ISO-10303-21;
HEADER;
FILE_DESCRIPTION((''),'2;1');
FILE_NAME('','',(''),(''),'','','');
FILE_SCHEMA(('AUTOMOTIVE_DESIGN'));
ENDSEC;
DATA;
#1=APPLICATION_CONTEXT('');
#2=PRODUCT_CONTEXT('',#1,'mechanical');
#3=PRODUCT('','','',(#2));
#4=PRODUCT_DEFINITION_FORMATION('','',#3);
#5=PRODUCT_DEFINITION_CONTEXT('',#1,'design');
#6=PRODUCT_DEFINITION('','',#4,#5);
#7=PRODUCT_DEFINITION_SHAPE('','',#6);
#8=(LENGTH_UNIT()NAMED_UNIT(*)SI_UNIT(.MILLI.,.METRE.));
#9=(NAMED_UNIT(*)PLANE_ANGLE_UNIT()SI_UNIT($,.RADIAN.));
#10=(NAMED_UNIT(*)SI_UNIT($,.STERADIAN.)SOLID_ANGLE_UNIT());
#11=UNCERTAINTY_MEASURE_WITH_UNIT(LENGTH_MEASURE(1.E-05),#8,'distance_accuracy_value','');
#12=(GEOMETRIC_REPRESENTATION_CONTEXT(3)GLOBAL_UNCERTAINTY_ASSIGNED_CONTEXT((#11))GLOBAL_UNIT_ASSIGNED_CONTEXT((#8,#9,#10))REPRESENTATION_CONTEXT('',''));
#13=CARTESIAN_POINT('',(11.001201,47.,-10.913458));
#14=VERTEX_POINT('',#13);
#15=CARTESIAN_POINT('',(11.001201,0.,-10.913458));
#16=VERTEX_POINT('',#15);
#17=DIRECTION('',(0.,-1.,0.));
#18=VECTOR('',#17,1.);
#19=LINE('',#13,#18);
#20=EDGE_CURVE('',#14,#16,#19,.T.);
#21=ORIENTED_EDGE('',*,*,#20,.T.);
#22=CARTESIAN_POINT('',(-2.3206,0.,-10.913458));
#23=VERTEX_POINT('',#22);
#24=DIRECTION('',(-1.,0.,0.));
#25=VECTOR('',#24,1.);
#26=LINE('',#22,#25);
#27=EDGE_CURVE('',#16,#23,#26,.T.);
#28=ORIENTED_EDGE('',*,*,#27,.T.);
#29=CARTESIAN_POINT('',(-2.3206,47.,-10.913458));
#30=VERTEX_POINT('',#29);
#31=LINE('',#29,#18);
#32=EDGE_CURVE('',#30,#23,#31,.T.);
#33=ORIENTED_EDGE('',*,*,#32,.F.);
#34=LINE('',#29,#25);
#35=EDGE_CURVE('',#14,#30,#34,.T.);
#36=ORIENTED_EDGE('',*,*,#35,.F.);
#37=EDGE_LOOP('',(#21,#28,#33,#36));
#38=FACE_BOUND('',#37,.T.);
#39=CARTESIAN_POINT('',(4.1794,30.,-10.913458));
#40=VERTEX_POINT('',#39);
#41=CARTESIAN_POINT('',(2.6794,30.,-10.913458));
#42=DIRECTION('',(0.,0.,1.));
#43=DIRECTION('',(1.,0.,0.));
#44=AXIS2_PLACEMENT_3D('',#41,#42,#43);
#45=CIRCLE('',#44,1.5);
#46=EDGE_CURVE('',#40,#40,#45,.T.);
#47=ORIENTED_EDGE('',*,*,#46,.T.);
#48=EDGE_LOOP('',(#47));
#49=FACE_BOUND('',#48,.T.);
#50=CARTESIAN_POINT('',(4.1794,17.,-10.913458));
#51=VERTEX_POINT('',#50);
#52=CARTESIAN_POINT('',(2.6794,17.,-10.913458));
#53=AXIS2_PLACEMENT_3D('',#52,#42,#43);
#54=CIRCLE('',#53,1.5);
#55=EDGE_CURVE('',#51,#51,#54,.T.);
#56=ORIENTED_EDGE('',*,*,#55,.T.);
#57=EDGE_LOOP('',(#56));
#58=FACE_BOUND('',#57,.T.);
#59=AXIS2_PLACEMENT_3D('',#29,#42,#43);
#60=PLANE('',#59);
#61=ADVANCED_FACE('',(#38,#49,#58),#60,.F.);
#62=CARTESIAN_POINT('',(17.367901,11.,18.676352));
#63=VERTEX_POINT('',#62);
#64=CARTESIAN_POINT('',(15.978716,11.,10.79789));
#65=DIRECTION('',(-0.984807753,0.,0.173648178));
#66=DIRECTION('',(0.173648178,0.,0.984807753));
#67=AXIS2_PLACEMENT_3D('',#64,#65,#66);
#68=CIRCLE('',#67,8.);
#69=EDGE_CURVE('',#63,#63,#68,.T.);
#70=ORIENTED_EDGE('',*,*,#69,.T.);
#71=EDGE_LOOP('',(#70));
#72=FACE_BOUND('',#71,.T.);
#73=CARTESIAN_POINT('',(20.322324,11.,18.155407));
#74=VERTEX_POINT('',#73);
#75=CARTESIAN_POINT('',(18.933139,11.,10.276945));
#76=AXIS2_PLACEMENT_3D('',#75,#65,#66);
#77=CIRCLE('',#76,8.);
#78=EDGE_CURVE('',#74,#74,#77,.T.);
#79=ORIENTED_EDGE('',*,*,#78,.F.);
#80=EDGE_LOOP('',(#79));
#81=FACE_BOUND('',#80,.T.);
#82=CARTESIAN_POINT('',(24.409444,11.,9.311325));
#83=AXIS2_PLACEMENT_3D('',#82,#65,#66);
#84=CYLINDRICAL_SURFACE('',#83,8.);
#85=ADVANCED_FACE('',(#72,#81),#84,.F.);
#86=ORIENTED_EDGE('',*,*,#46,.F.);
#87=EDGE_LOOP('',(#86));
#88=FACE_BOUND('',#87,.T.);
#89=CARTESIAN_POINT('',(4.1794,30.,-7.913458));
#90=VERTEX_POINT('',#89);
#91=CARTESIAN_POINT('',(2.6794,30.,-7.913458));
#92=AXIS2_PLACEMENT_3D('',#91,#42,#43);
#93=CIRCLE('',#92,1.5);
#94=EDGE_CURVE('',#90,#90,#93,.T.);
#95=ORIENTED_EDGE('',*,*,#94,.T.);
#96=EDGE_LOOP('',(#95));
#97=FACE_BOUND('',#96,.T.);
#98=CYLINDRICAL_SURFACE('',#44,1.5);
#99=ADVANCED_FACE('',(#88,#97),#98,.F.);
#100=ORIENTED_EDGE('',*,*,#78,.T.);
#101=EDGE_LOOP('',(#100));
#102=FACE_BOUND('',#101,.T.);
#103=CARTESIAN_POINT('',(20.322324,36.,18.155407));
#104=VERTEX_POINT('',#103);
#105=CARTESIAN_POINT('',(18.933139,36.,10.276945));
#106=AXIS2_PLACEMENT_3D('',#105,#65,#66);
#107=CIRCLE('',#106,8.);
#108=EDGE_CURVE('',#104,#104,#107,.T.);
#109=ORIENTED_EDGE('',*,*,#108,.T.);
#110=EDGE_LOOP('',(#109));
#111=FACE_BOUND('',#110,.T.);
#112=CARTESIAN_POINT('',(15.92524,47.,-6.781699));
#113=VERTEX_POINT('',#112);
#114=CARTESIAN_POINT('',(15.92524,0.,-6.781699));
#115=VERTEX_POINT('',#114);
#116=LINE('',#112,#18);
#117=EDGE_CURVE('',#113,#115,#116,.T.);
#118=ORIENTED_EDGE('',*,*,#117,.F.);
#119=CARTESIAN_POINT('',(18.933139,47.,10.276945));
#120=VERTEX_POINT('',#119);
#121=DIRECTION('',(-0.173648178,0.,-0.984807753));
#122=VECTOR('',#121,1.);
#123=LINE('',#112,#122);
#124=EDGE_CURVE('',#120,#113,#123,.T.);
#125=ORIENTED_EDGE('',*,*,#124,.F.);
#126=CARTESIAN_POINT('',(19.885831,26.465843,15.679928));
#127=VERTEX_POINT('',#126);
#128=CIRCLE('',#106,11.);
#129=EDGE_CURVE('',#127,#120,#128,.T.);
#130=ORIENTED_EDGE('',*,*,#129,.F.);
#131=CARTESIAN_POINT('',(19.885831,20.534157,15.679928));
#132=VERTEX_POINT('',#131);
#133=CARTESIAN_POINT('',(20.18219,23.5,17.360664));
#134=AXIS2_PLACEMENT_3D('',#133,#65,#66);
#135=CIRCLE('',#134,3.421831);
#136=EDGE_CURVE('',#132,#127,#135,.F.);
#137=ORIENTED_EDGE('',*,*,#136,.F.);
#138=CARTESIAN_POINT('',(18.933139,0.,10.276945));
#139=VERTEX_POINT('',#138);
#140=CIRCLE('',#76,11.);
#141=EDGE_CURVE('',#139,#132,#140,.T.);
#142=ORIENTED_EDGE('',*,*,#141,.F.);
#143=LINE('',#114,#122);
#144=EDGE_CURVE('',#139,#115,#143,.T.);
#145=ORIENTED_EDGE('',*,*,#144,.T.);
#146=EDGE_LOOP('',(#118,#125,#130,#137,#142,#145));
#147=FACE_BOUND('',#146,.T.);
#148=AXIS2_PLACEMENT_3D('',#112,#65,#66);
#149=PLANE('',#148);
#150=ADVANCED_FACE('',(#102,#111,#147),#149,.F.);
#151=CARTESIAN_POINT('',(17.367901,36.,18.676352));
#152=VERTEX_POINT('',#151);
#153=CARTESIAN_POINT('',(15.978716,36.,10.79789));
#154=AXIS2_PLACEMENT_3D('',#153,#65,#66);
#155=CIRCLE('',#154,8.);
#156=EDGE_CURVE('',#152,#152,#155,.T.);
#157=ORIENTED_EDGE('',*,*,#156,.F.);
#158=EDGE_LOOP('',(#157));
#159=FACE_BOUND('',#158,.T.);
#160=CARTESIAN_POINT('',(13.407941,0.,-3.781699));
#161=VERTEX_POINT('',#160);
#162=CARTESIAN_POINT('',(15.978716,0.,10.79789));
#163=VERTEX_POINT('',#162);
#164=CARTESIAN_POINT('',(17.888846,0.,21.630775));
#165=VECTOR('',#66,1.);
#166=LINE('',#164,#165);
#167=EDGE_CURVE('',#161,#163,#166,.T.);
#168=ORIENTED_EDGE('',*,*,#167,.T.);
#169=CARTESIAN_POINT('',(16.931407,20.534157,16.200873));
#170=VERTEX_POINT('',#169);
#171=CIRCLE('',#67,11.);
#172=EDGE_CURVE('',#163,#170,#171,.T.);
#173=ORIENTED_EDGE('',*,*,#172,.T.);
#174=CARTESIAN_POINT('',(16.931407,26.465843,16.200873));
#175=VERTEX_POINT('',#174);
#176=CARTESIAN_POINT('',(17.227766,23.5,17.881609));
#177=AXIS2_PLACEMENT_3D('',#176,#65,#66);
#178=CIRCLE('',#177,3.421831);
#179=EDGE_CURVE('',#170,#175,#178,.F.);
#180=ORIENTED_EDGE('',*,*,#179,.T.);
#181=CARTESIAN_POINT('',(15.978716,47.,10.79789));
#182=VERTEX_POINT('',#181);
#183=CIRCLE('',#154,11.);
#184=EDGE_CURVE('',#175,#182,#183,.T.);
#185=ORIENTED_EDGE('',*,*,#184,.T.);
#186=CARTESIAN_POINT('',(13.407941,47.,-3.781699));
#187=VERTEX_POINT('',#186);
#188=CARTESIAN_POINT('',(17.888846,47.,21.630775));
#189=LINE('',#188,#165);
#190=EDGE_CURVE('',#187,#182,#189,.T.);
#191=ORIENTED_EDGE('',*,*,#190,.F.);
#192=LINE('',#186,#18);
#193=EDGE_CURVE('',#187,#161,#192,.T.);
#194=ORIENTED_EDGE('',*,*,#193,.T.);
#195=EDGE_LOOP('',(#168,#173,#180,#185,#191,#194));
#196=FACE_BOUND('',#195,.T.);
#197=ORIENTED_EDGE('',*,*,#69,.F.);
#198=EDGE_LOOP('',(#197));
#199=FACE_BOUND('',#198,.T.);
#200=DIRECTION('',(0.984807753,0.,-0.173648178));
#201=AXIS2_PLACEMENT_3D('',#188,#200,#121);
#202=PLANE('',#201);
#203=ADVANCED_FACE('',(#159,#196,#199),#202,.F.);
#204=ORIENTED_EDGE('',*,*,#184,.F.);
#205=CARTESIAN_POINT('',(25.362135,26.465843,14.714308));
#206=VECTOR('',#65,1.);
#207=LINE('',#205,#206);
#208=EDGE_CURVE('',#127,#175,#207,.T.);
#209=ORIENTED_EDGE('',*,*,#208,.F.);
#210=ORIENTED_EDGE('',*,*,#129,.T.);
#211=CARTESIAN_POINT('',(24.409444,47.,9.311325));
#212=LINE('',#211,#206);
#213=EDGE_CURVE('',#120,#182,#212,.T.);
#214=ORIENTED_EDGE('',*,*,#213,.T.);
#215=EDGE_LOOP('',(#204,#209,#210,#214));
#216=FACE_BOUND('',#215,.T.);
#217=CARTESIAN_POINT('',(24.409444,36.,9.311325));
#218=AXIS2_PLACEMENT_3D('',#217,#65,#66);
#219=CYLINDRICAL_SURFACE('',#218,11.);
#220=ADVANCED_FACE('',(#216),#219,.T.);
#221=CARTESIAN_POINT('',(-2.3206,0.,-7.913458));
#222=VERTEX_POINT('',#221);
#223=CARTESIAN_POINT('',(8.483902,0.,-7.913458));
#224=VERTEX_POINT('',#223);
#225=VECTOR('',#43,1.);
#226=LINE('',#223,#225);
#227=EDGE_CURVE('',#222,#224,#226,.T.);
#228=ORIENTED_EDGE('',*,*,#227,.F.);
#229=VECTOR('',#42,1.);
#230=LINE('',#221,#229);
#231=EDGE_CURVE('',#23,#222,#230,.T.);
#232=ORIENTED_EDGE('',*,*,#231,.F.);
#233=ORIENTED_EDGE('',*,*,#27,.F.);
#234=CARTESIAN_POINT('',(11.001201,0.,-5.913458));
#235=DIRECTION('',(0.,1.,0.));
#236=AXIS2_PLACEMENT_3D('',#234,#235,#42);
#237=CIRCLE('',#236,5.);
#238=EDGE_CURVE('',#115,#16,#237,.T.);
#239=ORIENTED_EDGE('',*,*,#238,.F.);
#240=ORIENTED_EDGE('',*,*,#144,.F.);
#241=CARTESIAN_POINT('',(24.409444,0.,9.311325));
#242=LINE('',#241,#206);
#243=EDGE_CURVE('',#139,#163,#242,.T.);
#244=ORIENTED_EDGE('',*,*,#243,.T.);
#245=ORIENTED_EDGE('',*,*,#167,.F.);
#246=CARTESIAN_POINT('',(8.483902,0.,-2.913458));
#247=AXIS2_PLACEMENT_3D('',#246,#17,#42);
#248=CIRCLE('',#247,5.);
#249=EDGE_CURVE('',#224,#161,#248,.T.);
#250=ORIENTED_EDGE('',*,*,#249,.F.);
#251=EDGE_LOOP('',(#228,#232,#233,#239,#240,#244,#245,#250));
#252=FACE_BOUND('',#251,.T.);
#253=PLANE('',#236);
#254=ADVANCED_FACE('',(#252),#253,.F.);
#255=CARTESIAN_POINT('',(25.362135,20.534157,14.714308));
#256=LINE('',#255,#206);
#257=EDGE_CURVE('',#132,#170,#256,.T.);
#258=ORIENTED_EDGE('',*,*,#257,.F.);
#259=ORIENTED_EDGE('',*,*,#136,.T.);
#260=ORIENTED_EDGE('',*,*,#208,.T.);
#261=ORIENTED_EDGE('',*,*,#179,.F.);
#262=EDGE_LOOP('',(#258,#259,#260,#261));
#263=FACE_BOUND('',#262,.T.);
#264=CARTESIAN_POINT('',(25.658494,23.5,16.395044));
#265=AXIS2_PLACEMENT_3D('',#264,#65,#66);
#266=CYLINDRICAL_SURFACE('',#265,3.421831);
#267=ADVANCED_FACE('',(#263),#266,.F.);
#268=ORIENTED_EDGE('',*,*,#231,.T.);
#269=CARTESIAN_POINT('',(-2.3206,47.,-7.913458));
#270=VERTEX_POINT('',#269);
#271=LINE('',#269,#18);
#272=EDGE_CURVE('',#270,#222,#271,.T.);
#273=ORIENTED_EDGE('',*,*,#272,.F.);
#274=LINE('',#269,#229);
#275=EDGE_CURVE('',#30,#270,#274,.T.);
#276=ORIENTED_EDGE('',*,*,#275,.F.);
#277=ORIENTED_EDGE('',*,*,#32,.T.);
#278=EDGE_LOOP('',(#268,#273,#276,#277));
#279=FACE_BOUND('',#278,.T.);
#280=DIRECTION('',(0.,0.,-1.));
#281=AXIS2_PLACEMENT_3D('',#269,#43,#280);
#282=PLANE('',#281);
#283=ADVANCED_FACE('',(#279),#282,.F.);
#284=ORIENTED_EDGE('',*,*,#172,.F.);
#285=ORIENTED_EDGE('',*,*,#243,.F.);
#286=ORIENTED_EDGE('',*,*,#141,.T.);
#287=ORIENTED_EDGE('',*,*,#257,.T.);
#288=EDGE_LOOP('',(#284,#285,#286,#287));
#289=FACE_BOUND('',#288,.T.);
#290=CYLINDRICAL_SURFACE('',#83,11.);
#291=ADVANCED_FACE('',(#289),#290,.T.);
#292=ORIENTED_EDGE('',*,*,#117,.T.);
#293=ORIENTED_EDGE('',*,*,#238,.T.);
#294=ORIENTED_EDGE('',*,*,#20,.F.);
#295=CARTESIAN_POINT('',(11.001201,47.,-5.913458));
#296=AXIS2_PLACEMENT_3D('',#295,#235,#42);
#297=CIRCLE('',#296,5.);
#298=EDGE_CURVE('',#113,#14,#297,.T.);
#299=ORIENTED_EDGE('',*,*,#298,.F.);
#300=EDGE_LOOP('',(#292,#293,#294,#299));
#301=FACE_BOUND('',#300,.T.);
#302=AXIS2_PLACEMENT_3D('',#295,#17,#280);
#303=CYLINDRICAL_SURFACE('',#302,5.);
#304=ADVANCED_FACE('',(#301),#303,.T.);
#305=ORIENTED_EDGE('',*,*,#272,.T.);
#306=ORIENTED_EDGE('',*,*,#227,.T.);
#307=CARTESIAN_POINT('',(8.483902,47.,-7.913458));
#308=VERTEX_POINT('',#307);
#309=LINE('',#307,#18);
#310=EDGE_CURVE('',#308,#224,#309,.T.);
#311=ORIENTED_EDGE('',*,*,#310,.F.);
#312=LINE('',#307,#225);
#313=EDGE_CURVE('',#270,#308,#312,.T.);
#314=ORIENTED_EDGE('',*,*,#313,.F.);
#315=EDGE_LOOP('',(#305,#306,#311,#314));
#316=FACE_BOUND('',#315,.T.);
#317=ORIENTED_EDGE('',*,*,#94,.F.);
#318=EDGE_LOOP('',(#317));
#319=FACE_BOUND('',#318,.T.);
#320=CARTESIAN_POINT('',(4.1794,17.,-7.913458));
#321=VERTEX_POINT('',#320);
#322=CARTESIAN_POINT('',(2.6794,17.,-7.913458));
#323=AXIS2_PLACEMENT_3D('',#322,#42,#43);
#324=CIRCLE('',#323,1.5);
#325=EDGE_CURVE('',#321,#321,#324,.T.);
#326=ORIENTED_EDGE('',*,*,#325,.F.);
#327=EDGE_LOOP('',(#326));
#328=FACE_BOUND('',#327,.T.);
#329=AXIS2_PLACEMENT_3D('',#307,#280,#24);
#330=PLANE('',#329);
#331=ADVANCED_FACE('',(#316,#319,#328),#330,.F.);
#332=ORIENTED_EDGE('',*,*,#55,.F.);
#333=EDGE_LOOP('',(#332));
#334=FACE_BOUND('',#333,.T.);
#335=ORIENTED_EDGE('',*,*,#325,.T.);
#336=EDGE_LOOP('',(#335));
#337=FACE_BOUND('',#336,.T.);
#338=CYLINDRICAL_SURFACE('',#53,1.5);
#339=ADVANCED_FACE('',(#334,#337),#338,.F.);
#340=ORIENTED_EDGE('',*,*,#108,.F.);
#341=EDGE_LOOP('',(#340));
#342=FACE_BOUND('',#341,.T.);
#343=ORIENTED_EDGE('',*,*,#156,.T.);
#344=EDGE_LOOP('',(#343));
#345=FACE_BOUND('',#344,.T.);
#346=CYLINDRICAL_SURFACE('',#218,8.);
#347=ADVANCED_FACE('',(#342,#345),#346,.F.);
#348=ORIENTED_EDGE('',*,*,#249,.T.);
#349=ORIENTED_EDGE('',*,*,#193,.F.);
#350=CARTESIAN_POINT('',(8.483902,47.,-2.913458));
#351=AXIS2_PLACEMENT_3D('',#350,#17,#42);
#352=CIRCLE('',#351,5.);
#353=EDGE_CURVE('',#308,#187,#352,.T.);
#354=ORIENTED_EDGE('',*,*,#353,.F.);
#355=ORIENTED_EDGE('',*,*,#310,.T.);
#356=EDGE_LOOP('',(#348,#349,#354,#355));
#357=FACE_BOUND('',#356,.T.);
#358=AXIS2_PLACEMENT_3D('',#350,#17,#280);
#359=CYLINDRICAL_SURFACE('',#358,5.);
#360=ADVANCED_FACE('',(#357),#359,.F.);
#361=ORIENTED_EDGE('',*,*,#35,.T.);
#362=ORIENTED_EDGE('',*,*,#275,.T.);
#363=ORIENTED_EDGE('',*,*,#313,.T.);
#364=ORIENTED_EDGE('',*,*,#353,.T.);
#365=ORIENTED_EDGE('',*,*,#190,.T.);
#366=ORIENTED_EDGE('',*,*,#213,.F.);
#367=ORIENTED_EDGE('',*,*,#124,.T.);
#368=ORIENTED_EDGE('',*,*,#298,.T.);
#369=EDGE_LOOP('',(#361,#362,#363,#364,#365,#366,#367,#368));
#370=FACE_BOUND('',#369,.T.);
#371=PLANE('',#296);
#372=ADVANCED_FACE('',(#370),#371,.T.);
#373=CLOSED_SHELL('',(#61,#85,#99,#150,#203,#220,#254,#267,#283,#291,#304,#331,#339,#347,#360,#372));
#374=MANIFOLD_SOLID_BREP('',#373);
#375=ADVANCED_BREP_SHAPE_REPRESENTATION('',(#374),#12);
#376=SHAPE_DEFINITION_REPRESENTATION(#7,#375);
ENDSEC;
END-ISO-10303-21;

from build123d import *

# Parameters (mm, degrees)
BOSS_EXTRUDE1_DEPTH = 47
SKETCH2_R           = 1.5
CUT_EXTRUDE1_DEPTH  = 4
SKETCH3_R           = 8
CUT_EXTRUDE2_DEPTH  = 9.560785614


with BuildPart() as part:
    # Sketch1 → Boss-Extrude1 (new body)
    with BuildSketch(Plane(origin=(0, 0, 0), x_dir=(1, 0, 0), z_dir=(0, 1, 0))):
        with BuildLine():
            Line((-2.32059976, 10.913457617), (11.001200978, 10.913457617))
            ThreePointArc((11.001200978, 10.913457617), (14.215139026, 9.743679833), (15.925239743, 6.781698506))
            Line((15.925239743, 6.781698506), (20.843268829, -21.10983044))
            Line((20.843268829, -21.10983044), (17.88884557, -21.630774973))
            Line((17.88884557, -21.630774973), (13.407940849, 3.781698506))
            ThreePointArc((13.407940849, 3.781698506), (11.697840132, 6.743679833), (8.483902084, 7.913457617))
            Line((8.483902084, 7.913457617), (-2.32059976, 7.913457617))
            Line((-2.32059976, 7.913457617), (-2.32059976, 10.913457617))
        make_face()
    extrude(amount=BOSS_EXTRUDE1_DEPTH)

    # Sketch2 → Cut-Extrude1 (cut, through all)
    with BuildSketch(Plane.XY.offset(-7.913457617)):
        with Locations((2.67940024, 30)):
            Circle(SKETCH2_R)
        with Locations((2.67940024, 17)):
            Circle(SKETCH2_R)
    extrude(amount=-CUT_EXTRUDE1_DEPTH, mode=Mode.SUBTRACT)

    # Sketch3 → Cut-Extrude2 (cut, through all)
    with BuildSketch(Plane(origin=(13.650350495, 0, -2.406925088), x_dir=(0.173648178, 0, 0.984807753), z_dir=(-0.984807753, 0, 0.173648178))):
        with BuildLine():
            Line((24.408520331, 47), (13.408520331, 47))
            ThreePointArc((13.408520331, 47), (21.186694924, 43.778174593), (24.408520331, 36))
            Line((24.408520331, 36), (24.408520331, 47))
        make_face()
        with BuildLine():
            Line((24.408520331, 0), (24.408520331, 11))
            ThreePointArc((24.408520331, 11), (21.186694924, 3.221825407), (13.408520331, 0))
            Line((13.408520331, 0), (24.408520331, 0))
        make_face()
        with Locations((13.408520331, 11)):
            Circle(SKETCH3_R)
        with Locations((13.408520331, 36)):
            Circle(SKETCH3_R)
        with BuildLine():
            Line((24.408520331, 11), (24.408520331, 36))
            ThreePointArc((24.408520331, 36), (22.930853605, 30.493170692), (18.894853235, 26.465842918))
            ThreePointArc((18.894853235, 26.465842918), (17.17968635, 23.5), (18.894853235, 20.534157082))
            ThreePointArc((18.894853235, 20.534157082), (22.930853605, 16.506829308), (24.408520331, 11))
        make_face()
    extrude(amount=-CUT_EXTRUDE2_DEPTH, mode=Mode.SUBTRACT)


solid = part.part
